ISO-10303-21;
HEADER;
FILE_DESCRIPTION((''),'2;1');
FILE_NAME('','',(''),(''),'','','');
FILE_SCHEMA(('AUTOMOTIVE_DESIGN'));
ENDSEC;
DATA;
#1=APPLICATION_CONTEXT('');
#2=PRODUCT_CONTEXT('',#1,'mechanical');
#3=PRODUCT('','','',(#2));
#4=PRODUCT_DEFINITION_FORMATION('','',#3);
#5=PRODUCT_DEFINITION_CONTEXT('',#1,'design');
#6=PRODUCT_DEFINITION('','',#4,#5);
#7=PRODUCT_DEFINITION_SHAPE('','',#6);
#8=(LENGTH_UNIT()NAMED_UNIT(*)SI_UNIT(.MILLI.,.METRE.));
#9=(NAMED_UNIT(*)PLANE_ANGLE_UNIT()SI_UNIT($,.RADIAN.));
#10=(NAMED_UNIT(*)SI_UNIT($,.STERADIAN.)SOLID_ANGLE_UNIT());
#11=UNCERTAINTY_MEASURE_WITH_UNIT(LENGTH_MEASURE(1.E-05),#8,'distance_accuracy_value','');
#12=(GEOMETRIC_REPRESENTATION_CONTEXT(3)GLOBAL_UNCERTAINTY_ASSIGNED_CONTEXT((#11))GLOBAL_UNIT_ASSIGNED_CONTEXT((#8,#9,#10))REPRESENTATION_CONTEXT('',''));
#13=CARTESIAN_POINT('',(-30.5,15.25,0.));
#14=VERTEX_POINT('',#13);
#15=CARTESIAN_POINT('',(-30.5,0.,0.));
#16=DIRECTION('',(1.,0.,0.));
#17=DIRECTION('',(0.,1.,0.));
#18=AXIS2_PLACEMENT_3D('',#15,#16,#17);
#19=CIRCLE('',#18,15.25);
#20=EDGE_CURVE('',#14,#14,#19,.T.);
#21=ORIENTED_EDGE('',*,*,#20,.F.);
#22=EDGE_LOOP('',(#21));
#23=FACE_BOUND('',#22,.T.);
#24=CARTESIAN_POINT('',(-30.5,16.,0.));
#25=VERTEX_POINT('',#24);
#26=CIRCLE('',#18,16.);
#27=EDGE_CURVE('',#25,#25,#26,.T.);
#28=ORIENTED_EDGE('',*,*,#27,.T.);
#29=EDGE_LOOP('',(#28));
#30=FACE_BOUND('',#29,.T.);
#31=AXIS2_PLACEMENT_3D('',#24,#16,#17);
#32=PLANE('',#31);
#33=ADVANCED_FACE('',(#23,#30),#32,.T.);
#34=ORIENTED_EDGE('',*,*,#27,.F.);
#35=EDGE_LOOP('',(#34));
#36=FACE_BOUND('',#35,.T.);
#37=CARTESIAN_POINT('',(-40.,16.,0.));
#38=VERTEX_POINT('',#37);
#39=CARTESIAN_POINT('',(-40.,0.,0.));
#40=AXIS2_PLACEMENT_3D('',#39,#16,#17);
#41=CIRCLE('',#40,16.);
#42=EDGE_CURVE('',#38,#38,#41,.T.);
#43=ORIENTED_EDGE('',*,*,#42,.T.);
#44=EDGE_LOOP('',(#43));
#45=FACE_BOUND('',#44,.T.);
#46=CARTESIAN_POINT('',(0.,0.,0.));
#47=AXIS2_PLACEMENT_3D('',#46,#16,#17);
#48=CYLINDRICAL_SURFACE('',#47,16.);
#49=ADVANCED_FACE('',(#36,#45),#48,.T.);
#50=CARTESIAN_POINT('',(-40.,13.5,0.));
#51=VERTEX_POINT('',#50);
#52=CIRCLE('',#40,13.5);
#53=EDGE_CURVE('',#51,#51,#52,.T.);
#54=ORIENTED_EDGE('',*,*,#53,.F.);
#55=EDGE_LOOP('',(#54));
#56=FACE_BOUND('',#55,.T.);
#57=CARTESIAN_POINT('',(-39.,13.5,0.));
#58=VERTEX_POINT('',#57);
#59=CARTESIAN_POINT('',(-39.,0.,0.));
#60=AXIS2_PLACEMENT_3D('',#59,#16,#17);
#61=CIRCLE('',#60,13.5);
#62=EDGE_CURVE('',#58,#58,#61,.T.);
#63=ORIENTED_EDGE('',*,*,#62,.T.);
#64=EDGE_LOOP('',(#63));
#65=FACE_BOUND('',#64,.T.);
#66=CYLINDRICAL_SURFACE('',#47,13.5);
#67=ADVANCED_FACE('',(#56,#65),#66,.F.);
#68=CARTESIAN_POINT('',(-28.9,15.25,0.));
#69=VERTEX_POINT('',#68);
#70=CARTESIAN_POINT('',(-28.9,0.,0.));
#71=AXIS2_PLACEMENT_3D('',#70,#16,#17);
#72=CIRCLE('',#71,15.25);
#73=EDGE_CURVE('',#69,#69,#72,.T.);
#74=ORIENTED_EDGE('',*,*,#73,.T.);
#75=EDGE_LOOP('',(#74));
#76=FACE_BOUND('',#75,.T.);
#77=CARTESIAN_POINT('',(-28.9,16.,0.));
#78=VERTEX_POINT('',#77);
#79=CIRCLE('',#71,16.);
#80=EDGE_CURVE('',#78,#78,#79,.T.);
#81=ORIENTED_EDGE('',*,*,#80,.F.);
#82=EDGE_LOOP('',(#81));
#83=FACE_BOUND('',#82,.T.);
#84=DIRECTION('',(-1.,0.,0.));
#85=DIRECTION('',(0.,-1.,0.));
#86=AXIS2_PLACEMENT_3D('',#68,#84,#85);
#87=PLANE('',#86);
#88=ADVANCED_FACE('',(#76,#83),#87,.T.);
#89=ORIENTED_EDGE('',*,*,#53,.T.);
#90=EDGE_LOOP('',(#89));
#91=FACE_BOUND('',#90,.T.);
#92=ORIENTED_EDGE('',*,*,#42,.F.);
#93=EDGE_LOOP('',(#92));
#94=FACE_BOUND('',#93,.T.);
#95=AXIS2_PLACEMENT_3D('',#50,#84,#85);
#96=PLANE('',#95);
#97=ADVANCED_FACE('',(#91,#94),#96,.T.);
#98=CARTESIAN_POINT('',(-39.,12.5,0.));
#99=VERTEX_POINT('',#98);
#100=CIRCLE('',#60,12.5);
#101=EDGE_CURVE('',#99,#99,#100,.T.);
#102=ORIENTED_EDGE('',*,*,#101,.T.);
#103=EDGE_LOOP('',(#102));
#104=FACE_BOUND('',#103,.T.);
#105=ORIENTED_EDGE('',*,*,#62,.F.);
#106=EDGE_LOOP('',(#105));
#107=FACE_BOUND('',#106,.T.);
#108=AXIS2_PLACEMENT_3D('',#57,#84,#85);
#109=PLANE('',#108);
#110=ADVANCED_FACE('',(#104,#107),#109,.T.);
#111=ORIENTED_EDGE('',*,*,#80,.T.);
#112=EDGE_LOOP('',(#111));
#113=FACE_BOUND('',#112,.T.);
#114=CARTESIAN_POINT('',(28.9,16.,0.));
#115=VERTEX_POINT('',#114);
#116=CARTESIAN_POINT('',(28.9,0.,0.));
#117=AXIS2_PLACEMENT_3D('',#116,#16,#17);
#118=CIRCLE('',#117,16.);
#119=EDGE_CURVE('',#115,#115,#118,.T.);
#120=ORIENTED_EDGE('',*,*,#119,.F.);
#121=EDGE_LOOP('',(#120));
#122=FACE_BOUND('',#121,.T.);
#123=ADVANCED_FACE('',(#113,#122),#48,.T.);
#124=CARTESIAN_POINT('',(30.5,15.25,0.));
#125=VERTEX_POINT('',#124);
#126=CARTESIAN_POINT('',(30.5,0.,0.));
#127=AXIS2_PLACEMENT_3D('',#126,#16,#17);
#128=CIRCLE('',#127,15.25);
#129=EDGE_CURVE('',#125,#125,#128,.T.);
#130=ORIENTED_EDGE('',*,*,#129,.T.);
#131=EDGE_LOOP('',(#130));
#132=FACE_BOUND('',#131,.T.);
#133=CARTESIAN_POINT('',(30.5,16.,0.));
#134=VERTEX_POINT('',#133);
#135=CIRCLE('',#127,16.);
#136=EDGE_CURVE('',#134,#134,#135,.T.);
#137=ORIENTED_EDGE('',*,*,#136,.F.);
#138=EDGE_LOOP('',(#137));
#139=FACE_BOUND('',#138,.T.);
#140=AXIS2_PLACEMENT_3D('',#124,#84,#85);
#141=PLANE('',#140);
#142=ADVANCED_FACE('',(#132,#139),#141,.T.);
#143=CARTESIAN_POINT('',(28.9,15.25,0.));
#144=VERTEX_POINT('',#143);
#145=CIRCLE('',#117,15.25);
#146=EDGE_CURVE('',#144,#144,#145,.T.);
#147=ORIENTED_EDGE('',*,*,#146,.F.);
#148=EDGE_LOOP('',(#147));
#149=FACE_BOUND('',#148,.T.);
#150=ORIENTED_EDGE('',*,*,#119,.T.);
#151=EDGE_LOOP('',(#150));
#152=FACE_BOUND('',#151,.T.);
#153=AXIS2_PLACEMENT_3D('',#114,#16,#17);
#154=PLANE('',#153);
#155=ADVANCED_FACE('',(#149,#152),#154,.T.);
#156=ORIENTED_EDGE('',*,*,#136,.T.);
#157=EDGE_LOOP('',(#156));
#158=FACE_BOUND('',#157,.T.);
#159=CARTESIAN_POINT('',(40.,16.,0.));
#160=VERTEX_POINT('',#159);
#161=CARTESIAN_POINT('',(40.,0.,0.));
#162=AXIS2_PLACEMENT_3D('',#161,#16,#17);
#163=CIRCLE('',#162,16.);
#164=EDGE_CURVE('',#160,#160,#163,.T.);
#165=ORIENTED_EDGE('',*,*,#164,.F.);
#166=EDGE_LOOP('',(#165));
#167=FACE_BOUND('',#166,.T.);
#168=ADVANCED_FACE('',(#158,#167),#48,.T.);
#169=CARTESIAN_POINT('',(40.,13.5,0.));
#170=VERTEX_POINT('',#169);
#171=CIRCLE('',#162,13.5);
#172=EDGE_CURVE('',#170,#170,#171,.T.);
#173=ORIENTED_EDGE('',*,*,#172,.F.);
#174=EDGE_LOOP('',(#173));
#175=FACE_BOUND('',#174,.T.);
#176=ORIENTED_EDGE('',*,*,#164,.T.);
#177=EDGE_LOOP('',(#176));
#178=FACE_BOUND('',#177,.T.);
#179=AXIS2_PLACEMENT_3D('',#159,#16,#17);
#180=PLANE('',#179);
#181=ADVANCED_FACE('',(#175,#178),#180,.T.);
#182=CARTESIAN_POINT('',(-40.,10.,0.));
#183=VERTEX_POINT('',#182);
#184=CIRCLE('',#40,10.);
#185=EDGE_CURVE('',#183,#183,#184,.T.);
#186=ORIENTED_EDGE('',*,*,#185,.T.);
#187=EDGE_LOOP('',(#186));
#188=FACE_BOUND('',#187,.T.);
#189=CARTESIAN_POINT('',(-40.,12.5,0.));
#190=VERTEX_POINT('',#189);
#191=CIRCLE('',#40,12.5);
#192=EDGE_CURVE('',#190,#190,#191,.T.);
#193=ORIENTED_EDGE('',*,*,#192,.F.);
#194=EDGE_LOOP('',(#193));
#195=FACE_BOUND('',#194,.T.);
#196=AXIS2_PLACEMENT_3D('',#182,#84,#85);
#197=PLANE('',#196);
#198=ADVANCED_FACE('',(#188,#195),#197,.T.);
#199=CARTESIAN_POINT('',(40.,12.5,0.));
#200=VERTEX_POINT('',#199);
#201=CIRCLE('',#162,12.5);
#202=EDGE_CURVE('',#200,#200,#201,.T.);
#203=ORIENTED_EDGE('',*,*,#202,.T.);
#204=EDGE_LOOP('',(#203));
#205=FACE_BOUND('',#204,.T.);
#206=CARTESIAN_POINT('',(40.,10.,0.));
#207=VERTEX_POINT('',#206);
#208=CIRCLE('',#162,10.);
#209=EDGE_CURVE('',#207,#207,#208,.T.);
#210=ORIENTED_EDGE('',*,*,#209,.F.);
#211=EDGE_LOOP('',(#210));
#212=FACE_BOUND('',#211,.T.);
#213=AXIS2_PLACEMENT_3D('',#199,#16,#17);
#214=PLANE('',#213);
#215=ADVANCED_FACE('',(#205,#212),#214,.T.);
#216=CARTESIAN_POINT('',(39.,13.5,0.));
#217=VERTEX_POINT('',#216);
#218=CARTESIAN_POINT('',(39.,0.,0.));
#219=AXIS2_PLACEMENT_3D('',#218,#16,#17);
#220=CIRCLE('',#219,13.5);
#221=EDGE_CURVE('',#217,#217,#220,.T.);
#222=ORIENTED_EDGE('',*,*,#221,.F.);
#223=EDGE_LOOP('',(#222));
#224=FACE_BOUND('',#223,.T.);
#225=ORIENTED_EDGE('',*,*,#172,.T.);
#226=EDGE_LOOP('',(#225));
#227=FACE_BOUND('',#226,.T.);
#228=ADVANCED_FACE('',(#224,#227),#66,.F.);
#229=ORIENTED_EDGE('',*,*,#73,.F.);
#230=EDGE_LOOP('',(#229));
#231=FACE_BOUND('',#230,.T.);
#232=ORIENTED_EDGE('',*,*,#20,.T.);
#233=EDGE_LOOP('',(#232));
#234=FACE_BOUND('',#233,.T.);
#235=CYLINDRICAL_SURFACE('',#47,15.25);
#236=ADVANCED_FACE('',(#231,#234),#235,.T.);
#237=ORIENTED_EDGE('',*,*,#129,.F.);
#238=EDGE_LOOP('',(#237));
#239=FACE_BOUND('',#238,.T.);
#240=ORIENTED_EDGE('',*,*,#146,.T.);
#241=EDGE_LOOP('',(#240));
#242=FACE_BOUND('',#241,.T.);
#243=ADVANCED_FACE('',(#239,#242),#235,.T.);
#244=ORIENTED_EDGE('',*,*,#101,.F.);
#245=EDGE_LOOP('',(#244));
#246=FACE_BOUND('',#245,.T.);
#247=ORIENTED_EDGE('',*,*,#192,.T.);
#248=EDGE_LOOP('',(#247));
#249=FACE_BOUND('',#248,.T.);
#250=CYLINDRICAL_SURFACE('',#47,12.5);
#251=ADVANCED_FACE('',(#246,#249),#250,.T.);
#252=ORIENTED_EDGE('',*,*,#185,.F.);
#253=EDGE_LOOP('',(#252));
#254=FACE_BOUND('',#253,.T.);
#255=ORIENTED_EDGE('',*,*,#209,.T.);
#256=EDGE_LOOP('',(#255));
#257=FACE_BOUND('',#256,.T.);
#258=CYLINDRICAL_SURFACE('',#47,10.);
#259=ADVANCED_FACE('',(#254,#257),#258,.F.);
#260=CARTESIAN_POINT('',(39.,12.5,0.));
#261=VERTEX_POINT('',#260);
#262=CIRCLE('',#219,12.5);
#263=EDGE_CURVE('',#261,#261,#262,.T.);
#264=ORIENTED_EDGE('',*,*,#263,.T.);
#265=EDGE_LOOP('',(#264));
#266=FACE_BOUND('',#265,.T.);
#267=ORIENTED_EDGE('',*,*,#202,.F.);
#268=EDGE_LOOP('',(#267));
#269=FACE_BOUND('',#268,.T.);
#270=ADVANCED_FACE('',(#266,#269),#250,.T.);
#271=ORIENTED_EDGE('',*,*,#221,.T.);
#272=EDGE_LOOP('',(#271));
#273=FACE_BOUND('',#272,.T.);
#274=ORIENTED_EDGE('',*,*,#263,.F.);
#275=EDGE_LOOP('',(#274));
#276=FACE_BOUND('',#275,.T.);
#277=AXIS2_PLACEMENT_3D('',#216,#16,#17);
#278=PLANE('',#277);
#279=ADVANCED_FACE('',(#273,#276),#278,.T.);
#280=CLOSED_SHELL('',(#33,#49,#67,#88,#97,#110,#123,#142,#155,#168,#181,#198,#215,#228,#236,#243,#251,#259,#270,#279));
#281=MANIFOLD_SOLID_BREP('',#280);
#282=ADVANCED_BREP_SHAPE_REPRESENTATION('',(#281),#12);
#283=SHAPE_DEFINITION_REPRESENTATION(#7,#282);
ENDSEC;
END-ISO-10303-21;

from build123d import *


with BuildPart() as part:
    # Esboço1 → Revolução1 (revolve)
    with BuildSketch(Plane.XY):
        Polygon((-40, 16), (-30.5, 16), (-30.5, 15.25), (-28.9, 15.25), (-28.9, 16), (28.9, 16), (28.9, 15.25), (30.5, 15.25), (30.5, 16), (40, 16), (40, 13.5), (39, 13.5), (39, 12.5), (40, 12.5), (40, 10), (-40, 10), (-40, 12.5), (-39, 12.5), (-39, 13.5), (-40, 13.5), align=None)
    revolve(axis=Axis((0, 0, 0), (-1, 0, 0)))


solid = part.part
